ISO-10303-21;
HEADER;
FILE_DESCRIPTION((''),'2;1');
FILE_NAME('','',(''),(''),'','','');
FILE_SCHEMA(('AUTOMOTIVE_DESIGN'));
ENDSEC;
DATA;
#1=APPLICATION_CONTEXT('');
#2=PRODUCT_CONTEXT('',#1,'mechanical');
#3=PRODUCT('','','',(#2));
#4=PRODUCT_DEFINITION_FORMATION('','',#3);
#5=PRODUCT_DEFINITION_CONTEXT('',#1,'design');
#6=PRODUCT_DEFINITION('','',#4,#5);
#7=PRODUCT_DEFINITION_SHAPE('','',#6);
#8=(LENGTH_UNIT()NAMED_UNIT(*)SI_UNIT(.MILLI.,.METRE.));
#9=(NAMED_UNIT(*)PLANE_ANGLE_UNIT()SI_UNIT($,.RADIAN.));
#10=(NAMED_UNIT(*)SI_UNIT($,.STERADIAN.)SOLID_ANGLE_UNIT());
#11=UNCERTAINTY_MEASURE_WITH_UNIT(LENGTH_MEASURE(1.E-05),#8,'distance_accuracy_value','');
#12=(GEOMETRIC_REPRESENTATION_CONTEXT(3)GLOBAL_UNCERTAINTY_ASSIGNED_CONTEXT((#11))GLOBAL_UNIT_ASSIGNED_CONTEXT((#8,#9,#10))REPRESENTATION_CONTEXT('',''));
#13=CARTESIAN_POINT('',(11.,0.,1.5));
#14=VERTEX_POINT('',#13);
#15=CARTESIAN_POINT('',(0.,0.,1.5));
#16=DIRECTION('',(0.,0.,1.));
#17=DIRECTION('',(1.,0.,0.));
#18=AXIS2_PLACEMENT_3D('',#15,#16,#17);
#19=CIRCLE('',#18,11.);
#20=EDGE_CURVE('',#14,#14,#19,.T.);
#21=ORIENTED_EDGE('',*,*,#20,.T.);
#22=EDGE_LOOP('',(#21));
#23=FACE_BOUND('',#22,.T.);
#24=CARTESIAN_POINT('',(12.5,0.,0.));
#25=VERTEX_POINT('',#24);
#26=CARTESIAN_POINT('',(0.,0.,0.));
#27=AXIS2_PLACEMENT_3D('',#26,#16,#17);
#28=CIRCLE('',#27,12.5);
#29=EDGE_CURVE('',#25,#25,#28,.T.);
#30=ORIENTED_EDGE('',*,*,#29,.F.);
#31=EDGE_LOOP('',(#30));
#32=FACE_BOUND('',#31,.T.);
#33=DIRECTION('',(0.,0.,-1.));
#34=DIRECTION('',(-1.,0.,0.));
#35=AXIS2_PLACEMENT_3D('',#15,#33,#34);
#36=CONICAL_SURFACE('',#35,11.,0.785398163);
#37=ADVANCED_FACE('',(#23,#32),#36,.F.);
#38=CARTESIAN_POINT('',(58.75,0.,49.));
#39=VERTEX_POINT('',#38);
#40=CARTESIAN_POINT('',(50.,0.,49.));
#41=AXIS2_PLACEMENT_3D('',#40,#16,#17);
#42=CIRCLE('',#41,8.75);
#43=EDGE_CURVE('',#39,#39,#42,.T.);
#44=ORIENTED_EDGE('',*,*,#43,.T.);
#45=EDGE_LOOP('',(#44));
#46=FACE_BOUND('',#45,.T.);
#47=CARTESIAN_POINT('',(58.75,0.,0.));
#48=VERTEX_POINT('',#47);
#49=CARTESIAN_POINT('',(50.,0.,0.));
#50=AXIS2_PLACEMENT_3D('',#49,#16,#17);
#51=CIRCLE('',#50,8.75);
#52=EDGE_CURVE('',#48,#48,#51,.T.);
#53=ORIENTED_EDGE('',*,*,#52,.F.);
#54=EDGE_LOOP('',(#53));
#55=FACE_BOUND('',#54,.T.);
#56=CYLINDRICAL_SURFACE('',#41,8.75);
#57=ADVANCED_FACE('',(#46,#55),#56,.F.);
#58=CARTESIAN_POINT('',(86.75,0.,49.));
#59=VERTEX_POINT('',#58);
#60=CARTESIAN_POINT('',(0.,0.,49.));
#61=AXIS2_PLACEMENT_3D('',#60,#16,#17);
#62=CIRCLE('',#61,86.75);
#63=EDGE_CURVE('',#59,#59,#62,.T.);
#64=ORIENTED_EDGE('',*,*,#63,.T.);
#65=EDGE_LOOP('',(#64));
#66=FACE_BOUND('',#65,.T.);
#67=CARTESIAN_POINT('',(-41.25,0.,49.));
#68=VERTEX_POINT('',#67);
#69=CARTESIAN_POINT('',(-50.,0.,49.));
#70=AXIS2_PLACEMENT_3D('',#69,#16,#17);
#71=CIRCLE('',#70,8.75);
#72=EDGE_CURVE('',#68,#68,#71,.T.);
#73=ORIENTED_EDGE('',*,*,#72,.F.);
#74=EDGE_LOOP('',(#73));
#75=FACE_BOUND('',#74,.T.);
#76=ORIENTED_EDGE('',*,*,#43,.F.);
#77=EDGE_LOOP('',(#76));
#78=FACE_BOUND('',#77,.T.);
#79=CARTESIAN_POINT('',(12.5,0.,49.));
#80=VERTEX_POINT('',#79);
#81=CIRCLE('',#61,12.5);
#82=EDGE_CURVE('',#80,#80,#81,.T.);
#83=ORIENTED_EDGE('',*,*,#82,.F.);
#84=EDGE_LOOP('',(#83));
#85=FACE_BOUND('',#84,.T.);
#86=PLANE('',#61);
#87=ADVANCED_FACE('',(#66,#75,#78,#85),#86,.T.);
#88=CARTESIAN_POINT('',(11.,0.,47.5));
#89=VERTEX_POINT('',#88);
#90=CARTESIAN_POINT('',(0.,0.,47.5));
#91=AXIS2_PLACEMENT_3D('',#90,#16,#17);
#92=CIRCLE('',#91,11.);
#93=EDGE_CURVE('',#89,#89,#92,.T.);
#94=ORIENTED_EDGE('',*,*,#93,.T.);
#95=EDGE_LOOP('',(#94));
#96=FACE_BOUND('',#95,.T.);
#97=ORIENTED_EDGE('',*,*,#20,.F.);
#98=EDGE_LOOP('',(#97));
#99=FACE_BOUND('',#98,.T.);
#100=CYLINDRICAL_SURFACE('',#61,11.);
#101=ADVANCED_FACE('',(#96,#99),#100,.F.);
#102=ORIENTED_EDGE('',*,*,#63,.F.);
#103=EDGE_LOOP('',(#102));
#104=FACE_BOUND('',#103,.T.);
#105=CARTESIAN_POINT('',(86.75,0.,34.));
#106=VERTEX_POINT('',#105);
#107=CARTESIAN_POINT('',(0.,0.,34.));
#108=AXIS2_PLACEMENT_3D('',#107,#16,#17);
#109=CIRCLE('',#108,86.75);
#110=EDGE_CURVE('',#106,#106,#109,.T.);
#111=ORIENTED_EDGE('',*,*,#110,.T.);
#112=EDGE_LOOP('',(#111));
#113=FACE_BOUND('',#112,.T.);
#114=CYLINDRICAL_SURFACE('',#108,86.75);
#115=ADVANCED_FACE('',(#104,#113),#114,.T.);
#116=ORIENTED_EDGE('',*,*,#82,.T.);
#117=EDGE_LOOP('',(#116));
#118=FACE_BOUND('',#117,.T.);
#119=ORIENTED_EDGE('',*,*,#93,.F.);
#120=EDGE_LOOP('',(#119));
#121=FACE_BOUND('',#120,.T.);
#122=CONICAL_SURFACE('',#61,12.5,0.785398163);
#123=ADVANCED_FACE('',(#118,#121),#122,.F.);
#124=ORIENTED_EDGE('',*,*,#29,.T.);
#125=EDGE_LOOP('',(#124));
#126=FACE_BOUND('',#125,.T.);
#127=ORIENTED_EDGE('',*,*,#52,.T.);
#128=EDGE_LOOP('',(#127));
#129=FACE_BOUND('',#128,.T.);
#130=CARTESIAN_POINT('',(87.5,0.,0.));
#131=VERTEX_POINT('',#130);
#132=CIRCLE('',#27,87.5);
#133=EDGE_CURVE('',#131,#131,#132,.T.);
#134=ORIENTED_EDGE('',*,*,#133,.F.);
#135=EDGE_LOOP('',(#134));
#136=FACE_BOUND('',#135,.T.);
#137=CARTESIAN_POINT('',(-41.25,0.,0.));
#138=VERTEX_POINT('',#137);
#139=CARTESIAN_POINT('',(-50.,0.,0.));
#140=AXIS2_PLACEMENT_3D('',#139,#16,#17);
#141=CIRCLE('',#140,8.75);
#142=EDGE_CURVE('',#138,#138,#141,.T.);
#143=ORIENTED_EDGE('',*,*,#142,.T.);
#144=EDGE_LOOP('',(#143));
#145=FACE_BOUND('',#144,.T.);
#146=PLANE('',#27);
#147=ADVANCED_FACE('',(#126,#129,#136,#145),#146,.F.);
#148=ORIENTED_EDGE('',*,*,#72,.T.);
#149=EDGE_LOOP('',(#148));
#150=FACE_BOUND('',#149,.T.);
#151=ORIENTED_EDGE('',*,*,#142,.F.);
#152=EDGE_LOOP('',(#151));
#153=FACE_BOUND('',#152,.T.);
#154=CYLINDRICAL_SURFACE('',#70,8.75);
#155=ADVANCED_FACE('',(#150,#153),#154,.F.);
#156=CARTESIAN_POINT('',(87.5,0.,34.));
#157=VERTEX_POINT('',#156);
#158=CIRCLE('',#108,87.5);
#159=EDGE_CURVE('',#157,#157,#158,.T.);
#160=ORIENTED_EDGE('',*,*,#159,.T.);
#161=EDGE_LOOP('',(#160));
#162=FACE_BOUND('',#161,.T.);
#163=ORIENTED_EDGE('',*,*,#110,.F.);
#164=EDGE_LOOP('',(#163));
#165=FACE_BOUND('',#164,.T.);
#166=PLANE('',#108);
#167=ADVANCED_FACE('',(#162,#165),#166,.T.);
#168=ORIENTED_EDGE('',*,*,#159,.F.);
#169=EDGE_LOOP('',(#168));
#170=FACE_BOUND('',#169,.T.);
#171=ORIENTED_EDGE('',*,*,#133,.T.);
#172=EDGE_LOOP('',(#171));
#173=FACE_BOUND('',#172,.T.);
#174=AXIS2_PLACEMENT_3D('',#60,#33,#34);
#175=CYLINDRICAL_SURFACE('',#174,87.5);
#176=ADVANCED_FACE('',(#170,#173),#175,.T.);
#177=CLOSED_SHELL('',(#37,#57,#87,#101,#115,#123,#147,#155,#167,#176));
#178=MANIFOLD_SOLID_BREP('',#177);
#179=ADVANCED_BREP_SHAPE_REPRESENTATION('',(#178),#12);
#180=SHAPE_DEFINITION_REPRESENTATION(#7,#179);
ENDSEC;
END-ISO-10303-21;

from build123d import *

# Parameters (mm, degrees)
SKETCH1_R           = 87.5
BOSS_EXTRUDE1_DEPTH = 49
CUT_EXTRUDE1_START  = -15
SKETCH2_R           = 87.5
SKETCH2_R_2         = 86.75
CUT_EXTRUDE1_DEPTH  = 15
M20_TAPPED_HOLE1_D  = 17.5


with BuildPart() as part:
    # Sketch1 → Boss-Extrude1 (new body)
    with BuildSketch(Plane.XY):
        Circle(SKETCH1_R)
    extrude(amount=BOSS_EXTRUDE1_DEPTH)

    # Sketch2 → Cut-Extrude1 (cut)
    with BuildSketch(Plane.XY.offset(49).offset(CUT_EXTRUDE1_START)):
        Circle(SKETCH2_R)
        Circle(SKETCH2_R_2, mode=Mode.SUBTRACT)
    extrude(amount=CUT_EXTRUDE1_DEPTH, mode=Mode.SUBTRACT)

    # M20 Tapped Hole1 (through all)
    with Locations(Plane.XY.offset(49)):
        with Locations((-50, 0), (50, 0)):
            Hole(M20_TAPPED_HOLE1_D / 2)

    # Sketch6 → Ø22.0 (22) Diameter Hole1 (revolve, cut)
    with BuildSketch(Plane(origin=(0, 0, 49), x_dir=(0, -1, 0), z_dir=(1, 0, 0))):
        Polygon((0, 0), (0, 49), (12.5, 49), (11, 47.5), (11, 1.5), (12.5, 0), align=None)
    revolve(axis=Axis((0, 0, 55.35), (0, 0, -1)), mode=Mode.SUBTRACT)


solid = part.part
